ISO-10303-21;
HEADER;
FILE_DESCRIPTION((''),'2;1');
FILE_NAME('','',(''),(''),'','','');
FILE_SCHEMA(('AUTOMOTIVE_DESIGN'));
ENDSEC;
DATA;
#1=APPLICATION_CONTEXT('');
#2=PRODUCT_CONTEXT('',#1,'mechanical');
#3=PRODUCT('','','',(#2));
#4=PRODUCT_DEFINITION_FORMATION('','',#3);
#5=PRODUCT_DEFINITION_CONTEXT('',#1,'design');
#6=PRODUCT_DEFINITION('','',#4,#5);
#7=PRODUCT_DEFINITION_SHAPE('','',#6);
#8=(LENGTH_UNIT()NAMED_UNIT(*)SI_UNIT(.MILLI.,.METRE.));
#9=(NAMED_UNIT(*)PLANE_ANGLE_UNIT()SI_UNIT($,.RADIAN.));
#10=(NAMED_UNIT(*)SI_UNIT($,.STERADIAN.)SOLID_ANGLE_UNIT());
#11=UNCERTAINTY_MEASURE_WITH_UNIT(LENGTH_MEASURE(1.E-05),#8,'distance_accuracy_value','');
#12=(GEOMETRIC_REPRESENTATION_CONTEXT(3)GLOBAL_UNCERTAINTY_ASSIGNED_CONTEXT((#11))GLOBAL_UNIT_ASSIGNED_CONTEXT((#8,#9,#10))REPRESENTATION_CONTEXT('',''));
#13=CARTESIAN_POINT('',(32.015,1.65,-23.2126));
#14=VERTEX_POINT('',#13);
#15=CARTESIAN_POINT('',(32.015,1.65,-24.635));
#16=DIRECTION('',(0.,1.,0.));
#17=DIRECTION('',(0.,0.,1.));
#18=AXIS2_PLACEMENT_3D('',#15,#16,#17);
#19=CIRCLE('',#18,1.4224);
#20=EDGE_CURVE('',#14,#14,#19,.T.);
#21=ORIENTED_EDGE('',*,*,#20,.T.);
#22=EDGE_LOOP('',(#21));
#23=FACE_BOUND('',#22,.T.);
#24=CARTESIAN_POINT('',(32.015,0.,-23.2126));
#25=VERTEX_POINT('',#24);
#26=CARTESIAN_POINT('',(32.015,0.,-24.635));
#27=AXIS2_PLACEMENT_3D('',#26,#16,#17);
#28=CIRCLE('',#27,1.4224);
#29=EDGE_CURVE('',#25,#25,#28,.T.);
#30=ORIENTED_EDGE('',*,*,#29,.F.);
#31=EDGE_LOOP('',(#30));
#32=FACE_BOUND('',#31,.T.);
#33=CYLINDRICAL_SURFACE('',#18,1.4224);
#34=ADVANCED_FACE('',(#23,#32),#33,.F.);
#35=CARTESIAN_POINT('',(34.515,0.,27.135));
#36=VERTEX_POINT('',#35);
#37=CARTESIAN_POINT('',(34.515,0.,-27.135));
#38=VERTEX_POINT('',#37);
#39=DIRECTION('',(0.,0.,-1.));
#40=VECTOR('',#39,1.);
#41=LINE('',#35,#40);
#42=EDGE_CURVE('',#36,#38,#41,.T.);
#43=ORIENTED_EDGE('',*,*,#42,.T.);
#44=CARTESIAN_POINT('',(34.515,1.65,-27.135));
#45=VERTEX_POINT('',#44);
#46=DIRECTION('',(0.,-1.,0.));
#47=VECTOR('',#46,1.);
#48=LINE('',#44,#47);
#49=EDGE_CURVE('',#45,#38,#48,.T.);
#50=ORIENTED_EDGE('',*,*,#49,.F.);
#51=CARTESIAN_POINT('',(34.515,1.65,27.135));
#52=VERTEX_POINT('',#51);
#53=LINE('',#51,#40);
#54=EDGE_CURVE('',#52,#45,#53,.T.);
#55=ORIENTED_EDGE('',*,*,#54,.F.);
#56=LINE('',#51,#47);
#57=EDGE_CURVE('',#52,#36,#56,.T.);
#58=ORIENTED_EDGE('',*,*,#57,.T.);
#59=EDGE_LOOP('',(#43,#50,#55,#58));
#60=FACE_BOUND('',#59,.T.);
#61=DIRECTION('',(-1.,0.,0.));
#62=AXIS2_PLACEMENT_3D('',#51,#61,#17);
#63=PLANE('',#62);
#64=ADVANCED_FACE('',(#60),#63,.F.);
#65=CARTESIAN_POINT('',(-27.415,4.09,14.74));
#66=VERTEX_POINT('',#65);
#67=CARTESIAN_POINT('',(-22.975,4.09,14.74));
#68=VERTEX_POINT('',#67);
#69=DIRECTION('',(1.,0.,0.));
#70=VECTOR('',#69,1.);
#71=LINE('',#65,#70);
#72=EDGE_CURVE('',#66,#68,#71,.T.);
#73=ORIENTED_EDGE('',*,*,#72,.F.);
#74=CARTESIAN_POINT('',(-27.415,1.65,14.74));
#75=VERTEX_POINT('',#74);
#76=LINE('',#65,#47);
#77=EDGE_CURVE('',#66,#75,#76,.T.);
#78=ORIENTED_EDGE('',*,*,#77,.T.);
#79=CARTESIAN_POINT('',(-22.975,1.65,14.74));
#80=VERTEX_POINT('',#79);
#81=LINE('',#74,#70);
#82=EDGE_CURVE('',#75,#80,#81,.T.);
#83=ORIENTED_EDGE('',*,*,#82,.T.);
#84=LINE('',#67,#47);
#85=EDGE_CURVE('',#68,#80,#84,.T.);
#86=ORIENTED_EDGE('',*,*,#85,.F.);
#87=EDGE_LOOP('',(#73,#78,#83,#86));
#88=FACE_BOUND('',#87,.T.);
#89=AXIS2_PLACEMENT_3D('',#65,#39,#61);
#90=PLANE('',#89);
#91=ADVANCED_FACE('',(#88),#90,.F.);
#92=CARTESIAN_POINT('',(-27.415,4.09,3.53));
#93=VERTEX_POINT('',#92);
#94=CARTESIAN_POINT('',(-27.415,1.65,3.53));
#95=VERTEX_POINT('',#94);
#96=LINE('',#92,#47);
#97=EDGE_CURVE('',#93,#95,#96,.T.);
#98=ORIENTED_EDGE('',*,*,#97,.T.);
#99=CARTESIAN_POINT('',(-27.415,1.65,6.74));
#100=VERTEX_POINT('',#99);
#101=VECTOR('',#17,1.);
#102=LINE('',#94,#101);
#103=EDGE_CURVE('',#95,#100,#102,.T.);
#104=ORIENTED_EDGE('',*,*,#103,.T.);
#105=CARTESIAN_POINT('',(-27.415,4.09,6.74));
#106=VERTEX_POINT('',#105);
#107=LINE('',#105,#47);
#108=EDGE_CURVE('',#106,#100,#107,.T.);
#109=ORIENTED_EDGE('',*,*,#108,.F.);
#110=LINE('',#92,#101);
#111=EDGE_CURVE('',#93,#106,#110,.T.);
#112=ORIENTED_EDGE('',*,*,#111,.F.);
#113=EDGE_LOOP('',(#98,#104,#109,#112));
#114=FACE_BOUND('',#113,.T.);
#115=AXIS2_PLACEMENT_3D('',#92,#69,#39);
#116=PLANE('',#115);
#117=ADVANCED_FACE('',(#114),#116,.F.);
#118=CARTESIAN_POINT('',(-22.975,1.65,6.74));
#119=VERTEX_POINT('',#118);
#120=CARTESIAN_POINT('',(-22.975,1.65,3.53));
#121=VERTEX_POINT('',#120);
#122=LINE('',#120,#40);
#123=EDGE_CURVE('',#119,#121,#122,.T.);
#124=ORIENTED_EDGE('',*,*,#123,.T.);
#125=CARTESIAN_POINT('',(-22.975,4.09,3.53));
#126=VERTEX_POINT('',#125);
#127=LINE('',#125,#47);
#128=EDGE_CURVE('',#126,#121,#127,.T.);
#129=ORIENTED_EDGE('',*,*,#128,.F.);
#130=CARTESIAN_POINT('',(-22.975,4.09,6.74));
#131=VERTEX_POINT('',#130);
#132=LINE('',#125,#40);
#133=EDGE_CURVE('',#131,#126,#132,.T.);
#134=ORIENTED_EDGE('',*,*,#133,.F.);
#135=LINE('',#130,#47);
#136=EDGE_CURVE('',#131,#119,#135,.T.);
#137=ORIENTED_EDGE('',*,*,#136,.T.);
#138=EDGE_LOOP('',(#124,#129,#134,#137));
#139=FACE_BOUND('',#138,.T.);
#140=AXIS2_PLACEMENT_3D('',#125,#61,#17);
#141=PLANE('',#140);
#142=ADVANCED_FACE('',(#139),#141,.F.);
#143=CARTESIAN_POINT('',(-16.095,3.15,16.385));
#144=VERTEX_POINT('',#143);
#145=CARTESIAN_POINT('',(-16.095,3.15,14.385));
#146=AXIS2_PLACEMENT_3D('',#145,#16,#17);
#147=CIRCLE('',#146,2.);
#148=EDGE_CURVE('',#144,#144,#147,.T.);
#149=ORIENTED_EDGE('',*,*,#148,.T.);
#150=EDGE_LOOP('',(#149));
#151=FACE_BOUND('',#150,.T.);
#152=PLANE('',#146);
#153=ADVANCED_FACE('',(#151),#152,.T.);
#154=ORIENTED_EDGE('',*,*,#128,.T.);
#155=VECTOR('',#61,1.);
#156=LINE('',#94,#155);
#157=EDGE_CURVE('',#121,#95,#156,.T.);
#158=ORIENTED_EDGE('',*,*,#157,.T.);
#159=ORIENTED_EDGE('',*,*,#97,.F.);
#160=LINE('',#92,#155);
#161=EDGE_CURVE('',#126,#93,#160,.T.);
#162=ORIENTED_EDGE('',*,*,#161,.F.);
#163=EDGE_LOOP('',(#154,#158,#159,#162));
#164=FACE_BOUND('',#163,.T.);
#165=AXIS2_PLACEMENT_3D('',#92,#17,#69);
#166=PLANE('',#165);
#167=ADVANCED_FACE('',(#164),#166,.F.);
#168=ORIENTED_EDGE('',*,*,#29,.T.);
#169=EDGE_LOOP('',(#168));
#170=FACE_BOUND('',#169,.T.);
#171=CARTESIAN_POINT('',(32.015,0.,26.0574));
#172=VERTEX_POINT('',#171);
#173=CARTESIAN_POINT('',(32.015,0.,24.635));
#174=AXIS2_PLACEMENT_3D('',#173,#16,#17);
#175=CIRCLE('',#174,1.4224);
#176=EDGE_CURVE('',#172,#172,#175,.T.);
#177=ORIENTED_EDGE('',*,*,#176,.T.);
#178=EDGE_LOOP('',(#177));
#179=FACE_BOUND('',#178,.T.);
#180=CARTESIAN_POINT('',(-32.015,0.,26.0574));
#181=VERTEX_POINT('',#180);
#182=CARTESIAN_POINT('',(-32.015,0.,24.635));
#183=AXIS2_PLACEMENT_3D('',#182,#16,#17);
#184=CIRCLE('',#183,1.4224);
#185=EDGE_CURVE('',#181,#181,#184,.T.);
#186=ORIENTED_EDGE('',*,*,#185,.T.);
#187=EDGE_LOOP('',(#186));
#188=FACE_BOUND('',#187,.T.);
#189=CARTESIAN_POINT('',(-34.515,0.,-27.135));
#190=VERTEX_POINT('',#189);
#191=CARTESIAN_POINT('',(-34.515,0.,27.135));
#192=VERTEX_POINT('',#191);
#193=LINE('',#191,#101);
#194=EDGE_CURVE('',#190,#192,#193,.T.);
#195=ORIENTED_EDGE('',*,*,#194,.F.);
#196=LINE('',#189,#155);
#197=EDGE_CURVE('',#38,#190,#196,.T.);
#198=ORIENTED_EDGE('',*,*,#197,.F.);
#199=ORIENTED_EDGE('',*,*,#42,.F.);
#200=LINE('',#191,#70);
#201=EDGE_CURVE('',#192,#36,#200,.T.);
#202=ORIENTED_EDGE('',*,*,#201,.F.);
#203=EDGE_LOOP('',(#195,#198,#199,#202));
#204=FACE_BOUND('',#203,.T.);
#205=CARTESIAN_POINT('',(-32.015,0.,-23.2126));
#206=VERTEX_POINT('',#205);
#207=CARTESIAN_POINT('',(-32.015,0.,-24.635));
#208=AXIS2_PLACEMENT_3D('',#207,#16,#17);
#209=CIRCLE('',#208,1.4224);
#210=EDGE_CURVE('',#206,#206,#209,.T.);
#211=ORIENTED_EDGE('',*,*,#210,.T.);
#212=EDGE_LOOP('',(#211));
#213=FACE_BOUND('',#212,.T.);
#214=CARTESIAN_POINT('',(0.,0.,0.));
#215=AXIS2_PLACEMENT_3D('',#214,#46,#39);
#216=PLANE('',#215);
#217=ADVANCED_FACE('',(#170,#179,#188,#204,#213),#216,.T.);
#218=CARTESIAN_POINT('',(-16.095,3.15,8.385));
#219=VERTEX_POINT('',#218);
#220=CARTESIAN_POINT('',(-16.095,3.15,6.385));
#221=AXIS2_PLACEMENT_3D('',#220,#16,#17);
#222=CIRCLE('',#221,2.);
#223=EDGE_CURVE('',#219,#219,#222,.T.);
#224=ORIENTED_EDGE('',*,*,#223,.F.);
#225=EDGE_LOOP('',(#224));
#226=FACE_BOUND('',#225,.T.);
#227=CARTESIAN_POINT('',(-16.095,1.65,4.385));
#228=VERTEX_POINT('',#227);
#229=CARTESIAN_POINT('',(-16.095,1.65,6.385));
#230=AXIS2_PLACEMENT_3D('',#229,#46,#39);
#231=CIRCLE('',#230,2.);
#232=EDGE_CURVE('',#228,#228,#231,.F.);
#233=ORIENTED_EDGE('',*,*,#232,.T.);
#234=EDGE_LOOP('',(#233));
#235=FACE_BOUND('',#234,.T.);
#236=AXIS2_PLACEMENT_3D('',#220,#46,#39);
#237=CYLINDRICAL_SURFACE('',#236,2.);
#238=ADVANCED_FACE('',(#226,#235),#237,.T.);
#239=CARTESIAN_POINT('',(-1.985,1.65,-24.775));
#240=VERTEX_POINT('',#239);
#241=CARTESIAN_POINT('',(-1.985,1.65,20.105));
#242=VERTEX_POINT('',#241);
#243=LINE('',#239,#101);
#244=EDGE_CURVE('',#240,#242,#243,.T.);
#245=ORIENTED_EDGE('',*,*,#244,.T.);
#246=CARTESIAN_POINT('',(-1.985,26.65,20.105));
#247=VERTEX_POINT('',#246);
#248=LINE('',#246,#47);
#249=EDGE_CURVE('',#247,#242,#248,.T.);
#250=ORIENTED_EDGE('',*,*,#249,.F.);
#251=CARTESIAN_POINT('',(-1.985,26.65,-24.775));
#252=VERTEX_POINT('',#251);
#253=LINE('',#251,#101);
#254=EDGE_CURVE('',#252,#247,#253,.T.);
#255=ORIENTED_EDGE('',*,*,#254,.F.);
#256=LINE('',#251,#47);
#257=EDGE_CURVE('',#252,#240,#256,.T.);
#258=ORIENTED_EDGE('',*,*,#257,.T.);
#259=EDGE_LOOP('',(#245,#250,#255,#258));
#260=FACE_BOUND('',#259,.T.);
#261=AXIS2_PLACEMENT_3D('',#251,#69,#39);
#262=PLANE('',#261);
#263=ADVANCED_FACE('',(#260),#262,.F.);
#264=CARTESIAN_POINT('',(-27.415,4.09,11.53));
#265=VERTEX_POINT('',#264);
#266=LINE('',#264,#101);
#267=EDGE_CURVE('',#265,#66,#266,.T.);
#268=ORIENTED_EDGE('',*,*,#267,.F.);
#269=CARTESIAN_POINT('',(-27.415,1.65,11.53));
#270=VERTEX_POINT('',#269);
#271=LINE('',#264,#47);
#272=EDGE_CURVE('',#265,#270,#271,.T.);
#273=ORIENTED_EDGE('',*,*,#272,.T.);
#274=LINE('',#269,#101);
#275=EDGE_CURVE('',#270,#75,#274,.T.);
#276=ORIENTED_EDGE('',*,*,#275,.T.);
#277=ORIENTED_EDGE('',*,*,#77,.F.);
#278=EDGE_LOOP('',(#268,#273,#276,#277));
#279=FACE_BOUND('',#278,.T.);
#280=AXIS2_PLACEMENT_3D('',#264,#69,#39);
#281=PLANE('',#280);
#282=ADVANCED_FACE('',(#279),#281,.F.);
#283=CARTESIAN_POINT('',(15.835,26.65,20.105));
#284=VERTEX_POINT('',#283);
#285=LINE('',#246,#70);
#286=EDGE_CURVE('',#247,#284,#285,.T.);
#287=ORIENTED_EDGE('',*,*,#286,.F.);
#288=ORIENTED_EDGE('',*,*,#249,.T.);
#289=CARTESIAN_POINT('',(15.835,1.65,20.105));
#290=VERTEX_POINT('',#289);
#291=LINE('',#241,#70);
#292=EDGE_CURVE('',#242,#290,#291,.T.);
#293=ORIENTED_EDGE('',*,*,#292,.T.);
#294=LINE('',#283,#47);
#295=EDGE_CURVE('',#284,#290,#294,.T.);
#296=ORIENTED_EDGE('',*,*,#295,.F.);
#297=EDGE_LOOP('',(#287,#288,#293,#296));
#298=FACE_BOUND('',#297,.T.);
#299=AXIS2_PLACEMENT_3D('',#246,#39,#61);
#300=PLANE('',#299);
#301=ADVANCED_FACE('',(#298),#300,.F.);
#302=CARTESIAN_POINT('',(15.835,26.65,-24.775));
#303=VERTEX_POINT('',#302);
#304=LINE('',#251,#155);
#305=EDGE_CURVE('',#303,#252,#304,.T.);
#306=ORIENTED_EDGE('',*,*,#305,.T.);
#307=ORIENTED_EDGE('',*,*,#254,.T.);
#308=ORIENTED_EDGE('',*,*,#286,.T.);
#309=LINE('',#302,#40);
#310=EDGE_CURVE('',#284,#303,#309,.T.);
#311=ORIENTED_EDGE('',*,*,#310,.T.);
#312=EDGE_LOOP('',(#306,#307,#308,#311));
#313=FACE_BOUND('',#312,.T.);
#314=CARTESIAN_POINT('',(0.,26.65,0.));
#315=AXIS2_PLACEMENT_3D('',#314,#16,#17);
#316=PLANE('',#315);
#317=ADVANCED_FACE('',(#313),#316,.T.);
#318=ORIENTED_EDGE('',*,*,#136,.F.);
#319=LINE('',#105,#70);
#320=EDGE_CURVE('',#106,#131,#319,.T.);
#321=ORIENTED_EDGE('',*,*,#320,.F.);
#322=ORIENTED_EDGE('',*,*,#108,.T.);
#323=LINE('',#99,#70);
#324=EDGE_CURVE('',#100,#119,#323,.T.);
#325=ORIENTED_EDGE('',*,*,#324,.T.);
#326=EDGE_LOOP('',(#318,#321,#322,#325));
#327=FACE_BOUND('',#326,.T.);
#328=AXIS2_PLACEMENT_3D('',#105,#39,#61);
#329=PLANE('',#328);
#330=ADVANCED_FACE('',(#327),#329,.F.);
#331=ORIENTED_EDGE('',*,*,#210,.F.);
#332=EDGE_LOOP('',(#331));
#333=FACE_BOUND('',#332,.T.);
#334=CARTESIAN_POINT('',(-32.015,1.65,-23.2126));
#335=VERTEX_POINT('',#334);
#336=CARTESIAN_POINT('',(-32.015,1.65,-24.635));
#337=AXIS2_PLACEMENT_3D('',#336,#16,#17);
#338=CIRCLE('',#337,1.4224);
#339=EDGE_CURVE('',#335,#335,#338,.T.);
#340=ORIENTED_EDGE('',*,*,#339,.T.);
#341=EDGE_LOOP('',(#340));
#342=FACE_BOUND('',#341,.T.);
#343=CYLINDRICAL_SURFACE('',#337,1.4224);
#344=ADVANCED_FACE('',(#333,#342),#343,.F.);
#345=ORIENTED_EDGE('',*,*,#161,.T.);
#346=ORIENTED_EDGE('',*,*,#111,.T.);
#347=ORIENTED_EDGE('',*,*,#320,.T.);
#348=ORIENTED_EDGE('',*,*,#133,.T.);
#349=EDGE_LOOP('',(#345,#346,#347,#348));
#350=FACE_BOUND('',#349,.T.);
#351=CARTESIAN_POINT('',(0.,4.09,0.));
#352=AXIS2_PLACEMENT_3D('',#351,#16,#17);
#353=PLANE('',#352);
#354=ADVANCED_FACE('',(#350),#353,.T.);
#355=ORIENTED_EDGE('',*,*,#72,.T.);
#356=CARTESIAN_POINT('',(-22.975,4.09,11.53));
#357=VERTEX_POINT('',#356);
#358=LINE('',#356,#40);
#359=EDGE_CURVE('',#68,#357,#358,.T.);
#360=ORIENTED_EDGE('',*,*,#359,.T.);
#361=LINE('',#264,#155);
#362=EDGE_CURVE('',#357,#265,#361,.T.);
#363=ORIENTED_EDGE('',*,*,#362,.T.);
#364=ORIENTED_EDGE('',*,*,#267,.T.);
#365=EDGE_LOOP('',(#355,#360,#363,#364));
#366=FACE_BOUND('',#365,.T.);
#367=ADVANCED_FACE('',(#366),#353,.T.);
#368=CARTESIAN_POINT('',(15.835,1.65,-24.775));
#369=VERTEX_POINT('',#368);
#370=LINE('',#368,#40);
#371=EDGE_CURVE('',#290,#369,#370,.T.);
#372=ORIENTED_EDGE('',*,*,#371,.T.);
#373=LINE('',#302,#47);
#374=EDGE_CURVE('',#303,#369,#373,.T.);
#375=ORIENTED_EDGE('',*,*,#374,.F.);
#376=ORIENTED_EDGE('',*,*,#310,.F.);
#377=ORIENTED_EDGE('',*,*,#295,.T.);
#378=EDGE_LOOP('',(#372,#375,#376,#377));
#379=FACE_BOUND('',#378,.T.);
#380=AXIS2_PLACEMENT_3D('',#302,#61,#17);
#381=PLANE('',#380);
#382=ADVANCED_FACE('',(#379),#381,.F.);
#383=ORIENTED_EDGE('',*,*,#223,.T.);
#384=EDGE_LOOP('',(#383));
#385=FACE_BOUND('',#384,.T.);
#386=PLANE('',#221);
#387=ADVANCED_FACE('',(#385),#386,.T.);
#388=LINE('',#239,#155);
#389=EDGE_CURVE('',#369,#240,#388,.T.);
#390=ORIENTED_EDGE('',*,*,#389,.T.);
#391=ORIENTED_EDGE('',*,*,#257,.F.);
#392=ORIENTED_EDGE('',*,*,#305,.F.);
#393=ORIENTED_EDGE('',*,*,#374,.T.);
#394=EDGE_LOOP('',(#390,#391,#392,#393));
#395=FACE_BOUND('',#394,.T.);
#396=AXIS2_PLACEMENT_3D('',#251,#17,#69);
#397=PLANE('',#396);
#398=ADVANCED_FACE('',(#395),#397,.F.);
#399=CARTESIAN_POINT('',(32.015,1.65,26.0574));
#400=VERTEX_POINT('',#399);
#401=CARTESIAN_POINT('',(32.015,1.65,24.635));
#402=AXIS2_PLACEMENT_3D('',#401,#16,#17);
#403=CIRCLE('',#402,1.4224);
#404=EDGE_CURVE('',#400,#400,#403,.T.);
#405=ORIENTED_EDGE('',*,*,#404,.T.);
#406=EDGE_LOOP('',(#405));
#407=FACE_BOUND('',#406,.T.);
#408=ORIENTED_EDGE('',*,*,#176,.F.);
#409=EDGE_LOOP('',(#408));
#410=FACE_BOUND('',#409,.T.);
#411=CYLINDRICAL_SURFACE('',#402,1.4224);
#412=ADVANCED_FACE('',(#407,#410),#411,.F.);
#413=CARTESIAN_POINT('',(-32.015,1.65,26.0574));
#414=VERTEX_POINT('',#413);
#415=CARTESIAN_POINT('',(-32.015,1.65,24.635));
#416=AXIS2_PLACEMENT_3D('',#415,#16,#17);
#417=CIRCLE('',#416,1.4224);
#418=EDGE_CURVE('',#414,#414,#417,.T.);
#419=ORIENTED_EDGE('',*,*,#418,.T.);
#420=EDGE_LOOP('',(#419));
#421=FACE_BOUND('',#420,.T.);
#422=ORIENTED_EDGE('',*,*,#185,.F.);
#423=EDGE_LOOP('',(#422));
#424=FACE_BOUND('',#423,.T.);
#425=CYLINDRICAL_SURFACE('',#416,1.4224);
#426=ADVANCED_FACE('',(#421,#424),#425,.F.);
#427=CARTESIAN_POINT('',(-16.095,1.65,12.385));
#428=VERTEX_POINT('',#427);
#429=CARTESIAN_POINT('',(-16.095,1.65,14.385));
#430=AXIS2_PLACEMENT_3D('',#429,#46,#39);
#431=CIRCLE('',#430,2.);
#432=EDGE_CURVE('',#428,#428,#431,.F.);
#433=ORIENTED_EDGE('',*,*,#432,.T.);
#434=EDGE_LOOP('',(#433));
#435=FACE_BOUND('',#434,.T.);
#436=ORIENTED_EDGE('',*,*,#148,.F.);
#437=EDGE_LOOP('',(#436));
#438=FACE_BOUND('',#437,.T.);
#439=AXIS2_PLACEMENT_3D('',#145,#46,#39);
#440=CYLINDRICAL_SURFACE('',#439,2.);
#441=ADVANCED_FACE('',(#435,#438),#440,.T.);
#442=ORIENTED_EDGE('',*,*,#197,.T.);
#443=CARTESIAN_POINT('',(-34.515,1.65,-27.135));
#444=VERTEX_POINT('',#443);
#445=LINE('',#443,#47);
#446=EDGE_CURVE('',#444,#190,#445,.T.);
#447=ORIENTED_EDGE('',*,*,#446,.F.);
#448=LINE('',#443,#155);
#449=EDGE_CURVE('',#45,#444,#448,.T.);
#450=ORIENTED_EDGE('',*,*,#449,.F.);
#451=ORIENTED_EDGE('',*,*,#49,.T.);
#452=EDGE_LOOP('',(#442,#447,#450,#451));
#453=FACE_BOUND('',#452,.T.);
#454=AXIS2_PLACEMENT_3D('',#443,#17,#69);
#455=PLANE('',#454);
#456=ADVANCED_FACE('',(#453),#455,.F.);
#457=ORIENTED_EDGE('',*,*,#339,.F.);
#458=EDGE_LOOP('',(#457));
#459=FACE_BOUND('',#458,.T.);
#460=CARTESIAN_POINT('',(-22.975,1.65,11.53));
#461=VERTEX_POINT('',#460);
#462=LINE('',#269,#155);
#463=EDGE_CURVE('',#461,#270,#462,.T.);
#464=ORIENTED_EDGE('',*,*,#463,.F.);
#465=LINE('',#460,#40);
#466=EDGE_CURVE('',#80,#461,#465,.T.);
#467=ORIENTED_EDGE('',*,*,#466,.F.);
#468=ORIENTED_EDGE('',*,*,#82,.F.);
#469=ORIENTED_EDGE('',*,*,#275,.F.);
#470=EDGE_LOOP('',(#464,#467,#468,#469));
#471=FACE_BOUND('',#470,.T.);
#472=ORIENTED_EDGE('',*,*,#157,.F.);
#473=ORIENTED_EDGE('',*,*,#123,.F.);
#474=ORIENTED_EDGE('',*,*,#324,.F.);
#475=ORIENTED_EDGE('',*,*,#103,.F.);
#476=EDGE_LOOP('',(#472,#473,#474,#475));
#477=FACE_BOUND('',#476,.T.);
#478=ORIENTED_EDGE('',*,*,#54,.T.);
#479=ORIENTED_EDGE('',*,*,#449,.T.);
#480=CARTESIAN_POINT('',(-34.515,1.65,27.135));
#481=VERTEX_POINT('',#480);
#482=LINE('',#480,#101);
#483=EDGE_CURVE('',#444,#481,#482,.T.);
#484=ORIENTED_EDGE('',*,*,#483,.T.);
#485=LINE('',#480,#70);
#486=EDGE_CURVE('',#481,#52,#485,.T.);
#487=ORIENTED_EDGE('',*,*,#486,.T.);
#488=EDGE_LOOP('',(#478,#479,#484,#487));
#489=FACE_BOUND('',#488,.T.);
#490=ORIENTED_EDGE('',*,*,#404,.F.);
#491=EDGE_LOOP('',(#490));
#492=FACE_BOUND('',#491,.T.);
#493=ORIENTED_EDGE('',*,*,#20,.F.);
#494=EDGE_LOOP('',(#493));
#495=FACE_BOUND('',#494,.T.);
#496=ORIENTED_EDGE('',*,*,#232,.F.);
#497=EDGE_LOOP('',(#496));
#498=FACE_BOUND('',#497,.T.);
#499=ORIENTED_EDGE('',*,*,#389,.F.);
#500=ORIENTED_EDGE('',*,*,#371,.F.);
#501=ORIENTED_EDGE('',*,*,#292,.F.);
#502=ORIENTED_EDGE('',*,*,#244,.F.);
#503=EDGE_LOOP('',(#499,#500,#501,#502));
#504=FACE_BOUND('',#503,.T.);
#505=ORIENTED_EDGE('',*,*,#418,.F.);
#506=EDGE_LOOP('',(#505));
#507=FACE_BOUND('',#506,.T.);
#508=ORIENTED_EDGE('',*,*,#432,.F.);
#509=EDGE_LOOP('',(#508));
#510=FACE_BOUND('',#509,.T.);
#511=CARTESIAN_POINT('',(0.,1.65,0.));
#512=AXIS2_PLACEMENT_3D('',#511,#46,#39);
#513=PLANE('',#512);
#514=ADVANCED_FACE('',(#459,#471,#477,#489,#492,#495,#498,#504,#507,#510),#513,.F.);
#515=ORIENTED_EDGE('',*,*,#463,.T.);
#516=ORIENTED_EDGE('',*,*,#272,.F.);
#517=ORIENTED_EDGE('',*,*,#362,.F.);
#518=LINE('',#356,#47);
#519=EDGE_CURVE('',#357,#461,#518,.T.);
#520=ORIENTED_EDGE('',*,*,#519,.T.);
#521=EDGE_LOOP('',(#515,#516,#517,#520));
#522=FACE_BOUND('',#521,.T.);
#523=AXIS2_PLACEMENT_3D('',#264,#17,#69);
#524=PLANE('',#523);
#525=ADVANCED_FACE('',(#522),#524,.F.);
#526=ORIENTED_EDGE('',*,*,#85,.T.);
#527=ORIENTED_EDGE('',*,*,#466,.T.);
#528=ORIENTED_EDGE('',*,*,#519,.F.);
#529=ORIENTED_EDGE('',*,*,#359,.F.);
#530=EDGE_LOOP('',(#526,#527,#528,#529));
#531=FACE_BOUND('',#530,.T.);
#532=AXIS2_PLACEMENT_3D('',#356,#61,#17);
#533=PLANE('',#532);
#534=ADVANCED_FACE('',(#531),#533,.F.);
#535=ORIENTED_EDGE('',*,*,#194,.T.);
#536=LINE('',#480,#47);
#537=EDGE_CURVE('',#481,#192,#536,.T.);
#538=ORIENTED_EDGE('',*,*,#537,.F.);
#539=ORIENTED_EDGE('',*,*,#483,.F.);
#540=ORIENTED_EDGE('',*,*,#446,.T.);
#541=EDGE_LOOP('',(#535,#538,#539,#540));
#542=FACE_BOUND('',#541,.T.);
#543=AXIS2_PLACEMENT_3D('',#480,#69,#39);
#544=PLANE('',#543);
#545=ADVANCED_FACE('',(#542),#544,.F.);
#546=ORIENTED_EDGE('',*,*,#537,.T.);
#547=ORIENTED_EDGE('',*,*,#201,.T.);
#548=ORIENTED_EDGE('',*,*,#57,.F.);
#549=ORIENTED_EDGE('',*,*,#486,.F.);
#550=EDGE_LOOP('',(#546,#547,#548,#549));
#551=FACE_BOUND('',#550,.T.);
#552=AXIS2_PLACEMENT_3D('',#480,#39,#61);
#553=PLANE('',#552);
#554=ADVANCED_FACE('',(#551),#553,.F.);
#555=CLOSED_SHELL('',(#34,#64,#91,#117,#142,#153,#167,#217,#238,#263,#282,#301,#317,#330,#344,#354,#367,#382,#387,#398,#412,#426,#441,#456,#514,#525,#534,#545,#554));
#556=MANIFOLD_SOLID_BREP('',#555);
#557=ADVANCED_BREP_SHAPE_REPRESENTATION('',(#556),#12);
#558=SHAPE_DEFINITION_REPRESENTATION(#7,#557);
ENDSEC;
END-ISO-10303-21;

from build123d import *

# Parameters (mm, degrees)
SKETCH1_W             = 69.03
SKETCH1_H             = 54.27
BOSS_EXTRUDE1_DEPTH   = 1.65
SKETCH2_R             = 2
BOSS_EXTRUDE2_DEPTH   = 1.5
SKETCH3_W             = 4.44
SKETCH3_H             = 3.21
BOSS_EXTRUDE3_DEPTH   = 2.44
SKETCH4_W             = 17.82
SKETCH4_H             = 44.88
BOSS_EXTRUDE4_DEPTH   = 25
F_4_CLEARANCE_HOLE1_D = 2.8448


with BuildPart() as part:
    # Sketch1 → Boss-Extrude1 (new body)
    with BuildSketch(Plane(origin=(0, 0, 0), x_dir=(1, 0, 0), z_dir=(0, 1, 0))):
        Rectangle(SKETCH1_W, SKETCH1_H)
    extrude(amount=BOSS_EXTRUDE1_DEPTH)

    # Sketch2 → Boss-Extrude2 (add)
    with BuildSketch(Plane(origin=(0, 1.65, 0), x_dir=(1, 0, 0), z_dir=(0, 1, 0))):
        with Locations(Location((-16.095, -14.385, 0), (0, 0, 90))):
            Circle(SKETCH2_R)
        with Locations(Location((-16.095, -6.385, 0), (0, 0, 90))):
            Circle(SKETCH2_R)
    extrude(amount=BOSS_EXTRUDE2_DEPTH)

    # Sketch3 → Boss-Extrude3 (add)
    with BuildSketch(Plane(origin=(0, 1.65, 0), x_dir=(1, 0, 0), z_dir=(0, 1, 0))):
        with Locations((-25.195, -13.135)):
            Rectangle(SKETCH3_W, SKETCH3_H)
        with Locations((-25.195, -5.135)):
            Rectangle(SKETCH3_W, SKETCH3_H)
    extrude(amount=BOSS_EXTRUDE3_DEPTH)

    # Sketch4 → Boss-Extrude4 (add)
    with BuildSketch(Plane(origin=(0, 1.65, 0), x_dir=(1, 0, 0), z_dir=(0, 1, 0))):
        with Locations((6.925, 2.335)):
            Rectangle(SKETCH4_W, SKETCH4_H)
    extrude(amount=BOSS_EXTRUDE4_DEPTH)

    # #4 Clearance Hole1 (through all)
    with Locations(Plane(origin=(18.660321972, 1.65, 81.830440854), x_dir=(0, 0, 1), z_dir=(0, 1, 0))):
        with Locations((-106.465440854, -50.675321972), (-57.195440854, -50.675321972), (-57.195440854, 13.354678028), (-106.465440854, 13.354678028)):
            Hole(F_4_CLEARANCE_HOLE1_D / 2)


solid = part.part
